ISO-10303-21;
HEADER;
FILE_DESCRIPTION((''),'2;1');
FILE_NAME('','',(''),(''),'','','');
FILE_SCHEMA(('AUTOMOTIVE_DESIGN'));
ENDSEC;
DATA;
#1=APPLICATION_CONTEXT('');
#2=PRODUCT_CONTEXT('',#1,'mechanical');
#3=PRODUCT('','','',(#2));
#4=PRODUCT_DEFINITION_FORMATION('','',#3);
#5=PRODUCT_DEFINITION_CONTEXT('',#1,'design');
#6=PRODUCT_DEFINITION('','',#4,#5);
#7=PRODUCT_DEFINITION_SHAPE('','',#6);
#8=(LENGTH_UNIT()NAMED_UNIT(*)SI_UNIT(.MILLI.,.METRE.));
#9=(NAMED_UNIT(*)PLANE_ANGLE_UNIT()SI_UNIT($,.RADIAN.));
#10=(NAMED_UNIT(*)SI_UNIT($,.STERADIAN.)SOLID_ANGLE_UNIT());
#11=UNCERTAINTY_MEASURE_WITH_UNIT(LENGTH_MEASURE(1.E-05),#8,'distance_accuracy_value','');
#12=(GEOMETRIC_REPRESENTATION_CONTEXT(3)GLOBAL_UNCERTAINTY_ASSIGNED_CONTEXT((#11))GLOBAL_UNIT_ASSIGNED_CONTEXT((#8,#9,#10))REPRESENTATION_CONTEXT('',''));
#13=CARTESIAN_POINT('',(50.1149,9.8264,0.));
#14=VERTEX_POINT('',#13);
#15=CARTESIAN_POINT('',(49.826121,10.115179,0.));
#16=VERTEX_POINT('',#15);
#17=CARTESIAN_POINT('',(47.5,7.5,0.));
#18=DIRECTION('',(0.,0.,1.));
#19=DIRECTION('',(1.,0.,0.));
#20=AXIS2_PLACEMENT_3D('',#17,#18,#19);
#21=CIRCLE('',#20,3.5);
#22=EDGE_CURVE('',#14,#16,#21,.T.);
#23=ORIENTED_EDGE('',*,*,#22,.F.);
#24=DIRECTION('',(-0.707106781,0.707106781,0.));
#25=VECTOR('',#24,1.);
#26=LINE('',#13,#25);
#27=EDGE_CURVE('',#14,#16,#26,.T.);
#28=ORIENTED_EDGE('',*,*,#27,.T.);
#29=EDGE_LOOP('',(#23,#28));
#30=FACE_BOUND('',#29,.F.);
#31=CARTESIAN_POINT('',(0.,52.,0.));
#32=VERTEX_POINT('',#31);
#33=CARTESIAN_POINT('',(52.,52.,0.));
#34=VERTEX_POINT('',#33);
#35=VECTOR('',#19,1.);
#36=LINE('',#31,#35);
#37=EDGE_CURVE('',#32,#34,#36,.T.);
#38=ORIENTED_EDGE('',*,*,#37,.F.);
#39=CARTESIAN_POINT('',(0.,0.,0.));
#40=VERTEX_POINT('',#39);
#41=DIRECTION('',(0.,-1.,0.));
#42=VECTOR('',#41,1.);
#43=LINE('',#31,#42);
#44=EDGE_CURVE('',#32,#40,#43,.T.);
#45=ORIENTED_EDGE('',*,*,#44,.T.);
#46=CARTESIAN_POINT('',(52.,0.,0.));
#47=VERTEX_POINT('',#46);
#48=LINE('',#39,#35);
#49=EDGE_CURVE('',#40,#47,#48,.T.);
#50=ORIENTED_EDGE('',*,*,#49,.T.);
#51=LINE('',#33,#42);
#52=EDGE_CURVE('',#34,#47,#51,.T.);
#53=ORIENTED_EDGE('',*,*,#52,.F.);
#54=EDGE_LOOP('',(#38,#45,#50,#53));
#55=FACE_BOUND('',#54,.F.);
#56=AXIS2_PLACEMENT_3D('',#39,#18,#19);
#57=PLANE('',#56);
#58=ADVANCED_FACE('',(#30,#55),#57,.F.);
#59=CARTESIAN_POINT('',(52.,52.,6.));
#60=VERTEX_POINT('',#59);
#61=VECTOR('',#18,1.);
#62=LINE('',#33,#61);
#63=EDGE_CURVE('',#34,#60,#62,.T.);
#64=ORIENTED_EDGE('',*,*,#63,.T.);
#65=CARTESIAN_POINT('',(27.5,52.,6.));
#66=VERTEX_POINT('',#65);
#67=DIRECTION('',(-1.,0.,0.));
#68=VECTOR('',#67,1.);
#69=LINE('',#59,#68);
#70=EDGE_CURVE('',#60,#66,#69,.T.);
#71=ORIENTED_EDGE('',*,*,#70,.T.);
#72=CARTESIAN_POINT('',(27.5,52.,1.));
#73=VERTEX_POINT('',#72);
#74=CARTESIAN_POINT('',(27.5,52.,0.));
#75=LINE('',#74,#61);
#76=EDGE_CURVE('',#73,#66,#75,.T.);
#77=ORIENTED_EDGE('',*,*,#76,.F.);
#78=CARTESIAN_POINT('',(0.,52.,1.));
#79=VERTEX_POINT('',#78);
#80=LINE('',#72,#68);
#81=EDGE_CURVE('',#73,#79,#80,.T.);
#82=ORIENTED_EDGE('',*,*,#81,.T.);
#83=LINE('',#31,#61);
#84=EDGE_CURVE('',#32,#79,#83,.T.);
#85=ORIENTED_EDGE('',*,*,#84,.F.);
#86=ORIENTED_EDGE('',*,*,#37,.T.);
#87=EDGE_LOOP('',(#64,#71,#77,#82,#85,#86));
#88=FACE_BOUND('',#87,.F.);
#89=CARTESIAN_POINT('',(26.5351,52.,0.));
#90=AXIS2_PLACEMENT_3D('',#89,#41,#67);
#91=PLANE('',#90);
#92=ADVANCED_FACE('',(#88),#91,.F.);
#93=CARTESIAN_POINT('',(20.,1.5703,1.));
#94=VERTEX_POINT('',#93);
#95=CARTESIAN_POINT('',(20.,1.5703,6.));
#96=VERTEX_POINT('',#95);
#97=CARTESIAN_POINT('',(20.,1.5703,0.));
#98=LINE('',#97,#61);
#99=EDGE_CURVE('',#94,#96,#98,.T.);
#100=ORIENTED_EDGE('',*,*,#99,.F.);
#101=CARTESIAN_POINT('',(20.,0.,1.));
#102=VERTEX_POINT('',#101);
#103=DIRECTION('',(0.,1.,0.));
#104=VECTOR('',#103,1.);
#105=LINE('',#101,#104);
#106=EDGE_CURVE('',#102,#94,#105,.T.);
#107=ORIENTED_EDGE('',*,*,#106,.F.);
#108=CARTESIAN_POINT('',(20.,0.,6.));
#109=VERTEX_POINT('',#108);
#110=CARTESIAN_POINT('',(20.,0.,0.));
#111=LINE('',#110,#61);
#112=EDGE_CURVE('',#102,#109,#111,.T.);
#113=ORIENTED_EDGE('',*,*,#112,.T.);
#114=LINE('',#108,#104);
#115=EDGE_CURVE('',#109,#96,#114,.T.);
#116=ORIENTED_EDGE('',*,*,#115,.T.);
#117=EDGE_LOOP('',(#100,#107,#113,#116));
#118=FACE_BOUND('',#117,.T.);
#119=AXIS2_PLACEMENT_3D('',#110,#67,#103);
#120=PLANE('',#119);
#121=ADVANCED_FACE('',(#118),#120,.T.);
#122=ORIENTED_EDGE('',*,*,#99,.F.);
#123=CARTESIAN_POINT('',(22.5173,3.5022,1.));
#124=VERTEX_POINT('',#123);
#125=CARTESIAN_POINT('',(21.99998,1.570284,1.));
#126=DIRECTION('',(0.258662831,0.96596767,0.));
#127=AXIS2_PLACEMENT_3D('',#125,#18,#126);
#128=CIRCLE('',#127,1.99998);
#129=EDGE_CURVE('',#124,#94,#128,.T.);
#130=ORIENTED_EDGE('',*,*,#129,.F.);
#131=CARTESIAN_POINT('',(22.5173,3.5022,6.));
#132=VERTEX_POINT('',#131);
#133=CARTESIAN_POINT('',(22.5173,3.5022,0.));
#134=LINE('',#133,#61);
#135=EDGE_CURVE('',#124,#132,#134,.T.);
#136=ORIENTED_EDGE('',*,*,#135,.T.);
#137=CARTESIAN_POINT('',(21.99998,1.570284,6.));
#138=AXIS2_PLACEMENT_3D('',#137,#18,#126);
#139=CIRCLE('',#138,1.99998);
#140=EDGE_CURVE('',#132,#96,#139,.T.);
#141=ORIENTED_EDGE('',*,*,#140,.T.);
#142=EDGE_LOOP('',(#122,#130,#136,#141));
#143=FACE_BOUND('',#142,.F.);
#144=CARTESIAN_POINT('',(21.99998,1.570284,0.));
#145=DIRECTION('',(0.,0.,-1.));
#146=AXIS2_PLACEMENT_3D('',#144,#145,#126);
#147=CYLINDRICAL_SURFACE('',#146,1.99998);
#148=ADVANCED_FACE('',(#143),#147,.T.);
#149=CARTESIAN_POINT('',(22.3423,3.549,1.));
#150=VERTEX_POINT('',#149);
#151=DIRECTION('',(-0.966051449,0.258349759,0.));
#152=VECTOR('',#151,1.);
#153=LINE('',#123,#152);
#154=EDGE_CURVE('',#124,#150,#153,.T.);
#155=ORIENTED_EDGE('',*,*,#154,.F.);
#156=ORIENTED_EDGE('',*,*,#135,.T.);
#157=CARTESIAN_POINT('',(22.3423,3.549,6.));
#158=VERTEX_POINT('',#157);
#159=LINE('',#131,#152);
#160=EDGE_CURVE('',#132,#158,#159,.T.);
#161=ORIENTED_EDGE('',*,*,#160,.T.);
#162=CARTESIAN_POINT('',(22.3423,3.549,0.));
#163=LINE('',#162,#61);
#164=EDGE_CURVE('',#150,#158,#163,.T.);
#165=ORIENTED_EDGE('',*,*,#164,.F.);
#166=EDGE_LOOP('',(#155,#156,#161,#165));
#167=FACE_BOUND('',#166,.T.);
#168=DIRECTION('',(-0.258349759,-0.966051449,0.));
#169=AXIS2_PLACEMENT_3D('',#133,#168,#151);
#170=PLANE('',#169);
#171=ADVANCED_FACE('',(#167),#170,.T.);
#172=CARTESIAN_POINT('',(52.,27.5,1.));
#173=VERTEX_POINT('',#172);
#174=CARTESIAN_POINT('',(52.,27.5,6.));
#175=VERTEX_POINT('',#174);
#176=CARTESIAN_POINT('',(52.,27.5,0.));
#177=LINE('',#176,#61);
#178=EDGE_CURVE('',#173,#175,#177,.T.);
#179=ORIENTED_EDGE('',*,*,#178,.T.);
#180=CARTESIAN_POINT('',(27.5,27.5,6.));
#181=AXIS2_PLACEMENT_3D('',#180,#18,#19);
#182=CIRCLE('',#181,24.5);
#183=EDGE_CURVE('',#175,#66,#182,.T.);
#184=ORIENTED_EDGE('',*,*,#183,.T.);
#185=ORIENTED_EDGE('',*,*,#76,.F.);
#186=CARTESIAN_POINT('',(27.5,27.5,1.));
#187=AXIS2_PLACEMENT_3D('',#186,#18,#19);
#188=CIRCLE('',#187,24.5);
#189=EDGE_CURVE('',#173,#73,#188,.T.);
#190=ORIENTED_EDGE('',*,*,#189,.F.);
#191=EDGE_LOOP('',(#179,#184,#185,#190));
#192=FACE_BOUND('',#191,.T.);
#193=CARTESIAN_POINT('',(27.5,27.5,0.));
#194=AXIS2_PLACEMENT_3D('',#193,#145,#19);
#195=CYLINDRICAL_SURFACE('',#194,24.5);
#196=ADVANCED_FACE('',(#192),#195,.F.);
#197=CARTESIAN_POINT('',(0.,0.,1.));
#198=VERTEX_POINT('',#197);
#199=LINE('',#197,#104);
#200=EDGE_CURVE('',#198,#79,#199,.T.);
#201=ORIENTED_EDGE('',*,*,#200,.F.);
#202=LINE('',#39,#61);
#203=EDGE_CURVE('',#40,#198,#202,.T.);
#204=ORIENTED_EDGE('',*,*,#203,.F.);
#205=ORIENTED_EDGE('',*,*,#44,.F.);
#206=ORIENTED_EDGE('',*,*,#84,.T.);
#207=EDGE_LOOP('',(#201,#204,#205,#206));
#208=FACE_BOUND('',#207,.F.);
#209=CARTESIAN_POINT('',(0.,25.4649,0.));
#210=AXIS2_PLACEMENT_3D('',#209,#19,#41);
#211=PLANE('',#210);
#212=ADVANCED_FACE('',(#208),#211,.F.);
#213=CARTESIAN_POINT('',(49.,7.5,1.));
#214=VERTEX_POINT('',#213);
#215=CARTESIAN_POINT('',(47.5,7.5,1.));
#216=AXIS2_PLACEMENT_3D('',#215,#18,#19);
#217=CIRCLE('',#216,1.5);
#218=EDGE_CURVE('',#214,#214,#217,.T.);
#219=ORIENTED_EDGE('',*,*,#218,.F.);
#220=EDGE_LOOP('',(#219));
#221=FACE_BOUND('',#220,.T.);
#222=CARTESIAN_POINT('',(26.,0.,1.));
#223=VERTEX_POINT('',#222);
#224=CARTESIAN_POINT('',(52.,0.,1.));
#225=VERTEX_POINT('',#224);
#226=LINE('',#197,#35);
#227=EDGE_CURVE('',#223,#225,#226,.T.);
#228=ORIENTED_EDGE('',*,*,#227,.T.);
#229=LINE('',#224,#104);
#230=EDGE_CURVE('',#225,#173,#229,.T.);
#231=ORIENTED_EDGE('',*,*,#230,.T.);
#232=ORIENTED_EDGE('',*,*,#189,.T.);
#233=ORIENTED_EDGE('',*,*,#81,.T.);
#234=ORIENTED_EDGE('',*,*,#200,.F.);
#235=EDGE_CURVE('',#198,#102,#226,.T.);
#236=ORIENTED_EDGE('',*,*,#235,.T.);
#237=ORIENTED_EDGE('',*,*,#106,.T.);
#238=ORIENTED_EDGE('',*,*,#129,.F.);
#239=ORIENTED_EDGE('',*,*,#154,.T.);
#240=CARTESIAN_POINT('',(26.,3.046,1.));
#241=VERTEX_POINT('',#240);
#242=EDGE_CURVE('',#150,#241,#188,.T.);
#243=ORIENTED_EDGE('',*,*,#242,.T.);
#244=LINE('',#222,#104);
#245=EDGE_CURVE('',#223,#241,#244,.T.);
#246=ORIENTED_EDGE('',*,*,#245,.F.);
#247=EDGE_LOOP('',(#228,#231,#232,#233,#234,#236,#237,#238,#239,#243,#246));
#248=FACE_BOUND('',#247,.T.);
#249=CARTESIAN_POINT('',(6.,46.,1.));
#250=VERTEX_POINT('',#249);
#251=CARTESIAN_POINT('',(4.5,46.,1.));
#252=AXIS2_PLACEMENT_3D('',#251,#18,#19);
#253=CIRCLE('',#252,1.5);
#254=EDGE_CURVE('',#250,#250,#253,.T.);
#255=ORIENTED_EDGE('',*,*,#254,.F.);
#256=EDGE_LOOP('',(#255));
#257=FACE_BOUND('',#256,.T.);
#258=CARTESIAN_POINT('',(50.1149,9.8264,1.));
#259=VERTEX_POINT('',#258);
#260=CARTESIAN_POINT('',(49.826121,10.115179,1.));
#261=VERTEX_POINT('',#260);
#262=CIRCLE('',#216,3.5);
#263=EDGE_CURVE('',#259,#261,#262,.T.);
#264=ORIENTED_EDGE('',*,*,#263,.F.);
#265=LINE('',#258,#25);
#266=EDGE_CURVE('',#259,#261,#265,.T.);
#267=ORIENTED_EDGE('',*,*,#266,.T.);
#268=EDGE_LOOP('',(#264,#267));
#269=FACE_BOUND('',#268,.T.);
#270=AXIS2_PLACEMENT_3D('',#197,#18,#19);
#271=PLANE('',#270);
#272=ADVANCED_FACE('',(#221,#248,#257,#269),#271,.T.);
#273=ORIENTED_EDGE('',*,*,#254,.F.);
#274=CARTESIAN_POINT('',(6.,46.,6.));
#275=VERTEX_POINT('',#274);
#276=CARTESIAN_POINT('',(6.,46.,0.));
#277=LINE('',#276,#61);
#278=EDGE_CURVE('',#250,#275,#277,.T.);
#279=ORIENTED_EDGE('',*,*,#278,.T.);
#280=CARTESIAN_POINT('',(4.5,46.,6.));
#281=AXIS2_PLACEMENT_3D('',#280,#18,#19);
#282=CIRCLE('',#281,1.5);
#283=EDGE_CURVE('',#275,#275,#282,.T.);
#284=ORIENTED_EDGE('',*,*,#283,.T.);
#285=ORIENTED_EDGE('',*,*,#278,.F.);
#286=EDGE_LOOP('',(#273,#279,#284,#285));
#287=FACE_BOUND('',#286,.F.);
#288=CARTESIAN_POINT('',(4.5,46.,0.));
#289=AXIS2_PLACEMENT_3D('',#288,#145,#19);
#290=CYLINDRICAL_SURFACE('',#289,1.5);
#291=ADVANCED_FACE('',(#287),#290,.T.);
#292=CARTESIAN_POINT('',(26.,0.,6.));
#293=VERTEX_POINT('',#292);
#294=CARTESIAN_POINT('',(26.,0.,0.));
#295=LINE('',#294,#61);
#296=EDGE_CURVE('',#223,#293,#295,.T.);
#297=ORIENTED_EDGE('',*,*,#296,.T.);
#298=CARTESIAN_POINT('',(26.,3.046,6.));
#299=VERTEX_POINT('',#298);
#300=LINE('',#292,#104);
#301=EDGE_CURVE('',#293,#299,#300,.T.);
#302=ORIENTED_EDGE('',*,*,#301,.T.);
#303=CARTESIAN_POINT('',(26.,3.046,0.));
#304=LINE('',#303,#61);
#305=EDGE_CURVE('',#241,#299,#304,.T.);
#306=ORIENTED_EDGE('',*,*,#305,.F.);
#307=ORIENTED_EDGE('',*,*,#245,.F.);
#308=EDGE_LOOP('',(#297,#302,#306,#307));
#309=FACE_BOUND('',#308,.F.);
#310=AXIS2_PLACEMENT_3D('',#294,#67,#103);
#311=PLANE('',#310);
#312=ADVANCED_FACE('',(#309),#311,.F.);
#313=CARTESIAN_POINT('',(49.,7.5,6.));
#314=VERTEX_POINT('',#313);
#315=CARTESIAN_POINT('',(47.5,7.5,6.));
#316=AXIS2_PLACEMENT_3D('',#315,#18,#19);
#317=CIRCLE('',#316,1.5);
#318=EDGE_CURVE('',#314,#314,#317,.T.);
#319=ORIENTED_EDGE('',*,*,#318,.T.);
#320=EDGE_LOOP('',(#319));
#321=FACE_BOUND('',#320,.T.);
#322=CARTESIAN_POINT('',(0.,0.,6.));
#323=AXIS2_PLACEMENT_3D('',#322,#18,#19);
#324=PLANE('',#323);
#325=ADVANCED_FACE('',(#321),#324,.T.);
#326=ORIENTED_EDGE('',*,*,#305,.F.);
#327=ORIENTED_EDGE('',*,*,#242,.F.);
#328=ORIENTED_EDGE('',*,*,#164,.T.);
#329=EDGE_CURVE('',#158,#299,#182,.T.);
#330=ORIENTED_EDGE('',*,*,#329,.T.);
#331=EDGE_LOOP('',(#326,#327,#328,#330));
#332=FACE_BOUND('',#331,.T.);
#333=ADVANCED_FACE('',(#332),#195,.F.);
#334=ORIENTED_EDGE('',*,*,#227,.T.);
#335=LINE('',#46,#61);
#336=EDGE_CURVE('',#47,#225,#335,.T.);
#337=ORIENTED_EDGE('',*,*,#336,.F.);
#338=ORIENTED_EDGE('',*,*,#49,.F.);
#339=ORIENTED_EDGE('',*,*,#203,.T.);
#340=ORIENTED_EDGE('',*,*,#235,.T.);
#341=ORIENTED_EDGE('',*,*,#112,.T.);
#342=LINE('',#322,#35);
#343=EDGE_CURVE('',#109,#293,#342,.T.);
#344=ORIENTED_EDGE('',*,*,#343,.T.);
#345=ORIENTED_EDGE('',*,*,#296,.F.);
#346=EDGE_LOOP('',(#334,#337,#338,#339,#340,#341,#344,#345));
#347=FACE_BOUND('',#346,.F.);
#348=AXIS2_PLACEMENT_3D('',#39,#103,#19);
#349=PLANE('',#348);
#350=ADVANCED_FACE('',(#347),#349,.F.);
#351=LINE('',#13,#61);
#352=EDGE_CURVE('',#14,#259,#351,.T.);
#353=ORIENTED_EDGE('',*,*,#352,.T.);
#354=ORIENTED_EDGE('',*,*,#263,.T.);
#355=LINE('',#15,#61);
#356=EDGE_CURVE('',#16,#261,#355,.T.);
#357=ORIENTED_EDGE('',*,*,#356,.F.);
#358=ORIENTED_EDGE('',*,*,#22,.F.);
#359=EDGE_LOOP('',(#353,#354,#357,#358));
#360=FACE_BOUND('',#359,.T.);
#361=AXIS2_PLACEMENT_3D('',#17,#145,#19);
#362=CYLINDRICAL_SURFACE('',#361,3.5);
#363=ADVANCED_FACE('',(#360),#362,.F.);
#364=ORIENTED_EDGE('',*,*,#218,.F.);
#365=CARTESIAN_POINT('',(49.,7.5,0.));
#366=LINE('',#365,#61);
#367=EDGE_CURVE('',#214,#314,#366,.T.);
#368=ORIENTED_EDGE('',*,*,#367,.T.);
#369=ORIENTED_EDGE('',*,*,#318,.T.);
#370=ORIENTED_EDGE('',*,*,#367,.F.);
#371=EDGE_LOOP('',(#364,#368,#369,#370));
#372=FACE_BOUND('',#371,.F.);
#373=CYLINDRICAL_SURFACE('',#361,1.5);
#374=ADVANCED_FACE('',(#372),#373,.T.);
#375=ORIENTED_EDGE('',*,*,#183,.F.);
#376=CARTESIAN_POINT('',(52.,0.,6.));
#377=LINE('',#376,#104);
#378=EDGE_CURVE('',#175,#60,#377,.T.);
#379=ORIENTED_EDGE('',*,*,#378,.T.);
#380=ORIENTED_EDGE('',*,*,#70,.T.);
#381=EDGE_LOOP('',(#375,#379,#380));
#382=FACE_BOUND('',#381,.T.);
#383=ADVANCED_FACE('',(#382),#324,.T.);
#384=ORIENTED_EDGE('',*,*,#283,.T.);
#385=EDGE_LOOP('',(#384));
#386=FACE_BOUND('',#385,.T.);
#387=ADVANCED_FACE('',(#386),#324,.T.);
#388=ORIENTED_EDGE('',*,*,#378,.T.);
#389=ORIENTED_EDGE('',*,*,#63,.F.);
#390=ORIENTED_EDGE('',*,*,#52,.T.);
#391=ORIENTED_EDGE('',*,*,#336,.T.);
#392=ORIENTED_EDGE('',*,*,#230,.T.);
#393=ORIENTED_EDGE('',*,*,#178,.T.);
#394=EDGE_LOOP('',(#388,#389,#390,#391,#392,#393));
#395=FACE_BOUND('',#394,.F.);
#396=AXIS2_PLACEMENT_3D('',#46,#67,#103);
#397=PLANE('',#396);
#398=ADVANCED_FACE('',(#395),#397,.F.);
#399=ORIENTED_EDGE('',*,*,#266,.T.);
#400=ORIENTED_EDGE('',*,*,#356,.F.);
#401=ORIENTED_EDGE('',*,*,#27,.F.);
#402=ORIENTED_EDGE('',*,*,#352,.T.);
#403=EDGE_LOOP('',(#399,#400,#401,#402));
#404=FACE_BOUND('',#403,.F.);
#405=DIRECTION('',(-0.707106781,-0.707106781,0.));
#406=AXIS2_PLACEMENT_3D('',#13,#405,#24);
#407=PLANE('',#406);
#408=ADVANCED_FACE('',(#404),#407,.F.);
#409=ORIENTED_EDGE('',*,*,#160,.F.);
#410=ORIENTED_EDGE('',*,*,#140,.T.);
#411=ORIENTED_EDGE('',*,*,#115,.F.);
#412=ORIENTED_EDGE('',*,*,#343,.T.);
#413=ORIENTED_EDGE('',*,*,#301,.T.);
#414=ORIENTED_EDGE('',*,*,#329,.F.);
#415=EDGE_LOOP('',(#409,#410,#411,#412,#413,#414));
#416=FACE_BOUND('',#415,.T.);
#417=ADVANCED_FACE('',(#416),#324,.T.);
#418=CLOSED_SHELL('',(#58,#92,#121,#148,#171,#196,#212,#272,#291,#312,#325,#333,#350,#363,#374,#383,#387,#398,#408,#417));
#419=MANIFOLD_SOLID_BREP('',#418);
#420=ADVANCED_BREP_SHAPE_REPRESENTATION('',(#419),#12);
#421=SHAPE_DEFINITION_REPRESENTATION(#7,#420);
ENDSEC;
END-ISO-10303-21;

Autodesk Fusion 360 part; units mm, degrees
sketch "Sketch1" plane through (0, 0, 0) normal (0, 0, 1) x (1, 0, 0)
  line L0 (0, 0) -> (52, 0)
  line L1 (52, 0) -> (52, 52)
  line L2 (52, 52) -> (0, 52)
  line L3 (0, 52) -> (0, 0)
  circle A0 centre (27.5, 27.5) radius 24.5
  line L4 (0, 0) -> (0, 25) construction
  arc A1 (0, 25.4649) -> (26.5351, 52) centre (26.5351, 25.4649) ccw construction
  arc A2 (26.5351, 52) -> (0, 25.4649) centre (26.5351, 25.4649) ccw
  line L5 (0, 0) -> (20, 0)
  line L6 (20, 0) -> (20, 0.4966)
  line L7 (20, 0.4966) -> (20, 1.5703)
  line L8 (22.5173, 3.5022) -> (22.3423, 3.549)
  arc A3 (22.5173, 3.5022) -> (20, 1.5703) centre (22, 1.5703) ccw
  line L9 (3, 52) -> (3, 39.6785) construction
  line L10 (0, 47.5) -> (12.0217, 47.5) construction
  circle A4 centre (4.5, 46) radius 1.5
  circle A5 centre (4.5, 46) radius 3.5
  line L11 (51, 0) -> (51, 11.6338) construction
  line L12 (52, 4) -> (44.6522, 4) construction
  circle A6 centre (47.5, 7.5) radius 3.5
  circle A7 centre (47.5, 7.5) radius 1.5
  line L13 (40.311, 6.6239) -> (40.2361, 6.5706) construction
  line L14 (27.5, 27.5) -> (47.5, 7.5) construction
  line L15 (47.5, 7.5) -> (44.8851, 5.1736) construction
  line L16 (47.5, 7.5) -> (50.1149, 9.8264) construction
  line L17 (50.1149, 9.8264) -> (47.1177, 12.8236)
  line L18 (44.8851, 5.1736) -> (42.3551, 8.0173)
  line L19 (27.5, 27.5) -> (4.5, 46) construction
  line L20 (4.5, 46) -> (6.6937, 48.7272) construction
  line L21 (4.5, 46) -> (2.3063, 43.2728) construction
  line L22 (2.3063, 43.2728) -> (6.4114, 39.9708)
  line L23 (6.6937, 48.7272) -> (10.7987, 45.4253)
  line L24 (26, 0) -> (26, 3.046)
  dimension "d34" = 52
  dimension "d35" = 52
  dimension "d36" = 24.5
  dimension "d37" = 25
  dimension "d38" = 20
  dimension "d39" = 2
  dimension "d40" = 3
  dimension "d41" = 4.5
  dimension "d42" = 1.5
  dimension "d43" = 7
  dimension "d46" = 1
  dimension "d48" = 4
  dimension "d49" = 3.5
  dimension "d50" = 3
extrude "Extrude8" add sketch "Sketch1" along normal blind 1 contours L0 L3 A0 A2 L5 L6 L7 L8 A3 L22 | L2 L3 A2 A5 L22 L23 | L0 L1 A0 A6 L17 L18 L24 | A2 A5 L22 L23 | A0 A2 L22 L23 | A0 | L2 A0 A2 L23 | A5 | A0 A6 L17 L18 | A6 L17 picked at (49.7596, 9.1981)
extrude "Extrude9" add sketch "Sketch1" along normal blind 6 contours L0 A0 L6 L7 L8 A3 L24 | L1 L2 A0 | A4 | A7
